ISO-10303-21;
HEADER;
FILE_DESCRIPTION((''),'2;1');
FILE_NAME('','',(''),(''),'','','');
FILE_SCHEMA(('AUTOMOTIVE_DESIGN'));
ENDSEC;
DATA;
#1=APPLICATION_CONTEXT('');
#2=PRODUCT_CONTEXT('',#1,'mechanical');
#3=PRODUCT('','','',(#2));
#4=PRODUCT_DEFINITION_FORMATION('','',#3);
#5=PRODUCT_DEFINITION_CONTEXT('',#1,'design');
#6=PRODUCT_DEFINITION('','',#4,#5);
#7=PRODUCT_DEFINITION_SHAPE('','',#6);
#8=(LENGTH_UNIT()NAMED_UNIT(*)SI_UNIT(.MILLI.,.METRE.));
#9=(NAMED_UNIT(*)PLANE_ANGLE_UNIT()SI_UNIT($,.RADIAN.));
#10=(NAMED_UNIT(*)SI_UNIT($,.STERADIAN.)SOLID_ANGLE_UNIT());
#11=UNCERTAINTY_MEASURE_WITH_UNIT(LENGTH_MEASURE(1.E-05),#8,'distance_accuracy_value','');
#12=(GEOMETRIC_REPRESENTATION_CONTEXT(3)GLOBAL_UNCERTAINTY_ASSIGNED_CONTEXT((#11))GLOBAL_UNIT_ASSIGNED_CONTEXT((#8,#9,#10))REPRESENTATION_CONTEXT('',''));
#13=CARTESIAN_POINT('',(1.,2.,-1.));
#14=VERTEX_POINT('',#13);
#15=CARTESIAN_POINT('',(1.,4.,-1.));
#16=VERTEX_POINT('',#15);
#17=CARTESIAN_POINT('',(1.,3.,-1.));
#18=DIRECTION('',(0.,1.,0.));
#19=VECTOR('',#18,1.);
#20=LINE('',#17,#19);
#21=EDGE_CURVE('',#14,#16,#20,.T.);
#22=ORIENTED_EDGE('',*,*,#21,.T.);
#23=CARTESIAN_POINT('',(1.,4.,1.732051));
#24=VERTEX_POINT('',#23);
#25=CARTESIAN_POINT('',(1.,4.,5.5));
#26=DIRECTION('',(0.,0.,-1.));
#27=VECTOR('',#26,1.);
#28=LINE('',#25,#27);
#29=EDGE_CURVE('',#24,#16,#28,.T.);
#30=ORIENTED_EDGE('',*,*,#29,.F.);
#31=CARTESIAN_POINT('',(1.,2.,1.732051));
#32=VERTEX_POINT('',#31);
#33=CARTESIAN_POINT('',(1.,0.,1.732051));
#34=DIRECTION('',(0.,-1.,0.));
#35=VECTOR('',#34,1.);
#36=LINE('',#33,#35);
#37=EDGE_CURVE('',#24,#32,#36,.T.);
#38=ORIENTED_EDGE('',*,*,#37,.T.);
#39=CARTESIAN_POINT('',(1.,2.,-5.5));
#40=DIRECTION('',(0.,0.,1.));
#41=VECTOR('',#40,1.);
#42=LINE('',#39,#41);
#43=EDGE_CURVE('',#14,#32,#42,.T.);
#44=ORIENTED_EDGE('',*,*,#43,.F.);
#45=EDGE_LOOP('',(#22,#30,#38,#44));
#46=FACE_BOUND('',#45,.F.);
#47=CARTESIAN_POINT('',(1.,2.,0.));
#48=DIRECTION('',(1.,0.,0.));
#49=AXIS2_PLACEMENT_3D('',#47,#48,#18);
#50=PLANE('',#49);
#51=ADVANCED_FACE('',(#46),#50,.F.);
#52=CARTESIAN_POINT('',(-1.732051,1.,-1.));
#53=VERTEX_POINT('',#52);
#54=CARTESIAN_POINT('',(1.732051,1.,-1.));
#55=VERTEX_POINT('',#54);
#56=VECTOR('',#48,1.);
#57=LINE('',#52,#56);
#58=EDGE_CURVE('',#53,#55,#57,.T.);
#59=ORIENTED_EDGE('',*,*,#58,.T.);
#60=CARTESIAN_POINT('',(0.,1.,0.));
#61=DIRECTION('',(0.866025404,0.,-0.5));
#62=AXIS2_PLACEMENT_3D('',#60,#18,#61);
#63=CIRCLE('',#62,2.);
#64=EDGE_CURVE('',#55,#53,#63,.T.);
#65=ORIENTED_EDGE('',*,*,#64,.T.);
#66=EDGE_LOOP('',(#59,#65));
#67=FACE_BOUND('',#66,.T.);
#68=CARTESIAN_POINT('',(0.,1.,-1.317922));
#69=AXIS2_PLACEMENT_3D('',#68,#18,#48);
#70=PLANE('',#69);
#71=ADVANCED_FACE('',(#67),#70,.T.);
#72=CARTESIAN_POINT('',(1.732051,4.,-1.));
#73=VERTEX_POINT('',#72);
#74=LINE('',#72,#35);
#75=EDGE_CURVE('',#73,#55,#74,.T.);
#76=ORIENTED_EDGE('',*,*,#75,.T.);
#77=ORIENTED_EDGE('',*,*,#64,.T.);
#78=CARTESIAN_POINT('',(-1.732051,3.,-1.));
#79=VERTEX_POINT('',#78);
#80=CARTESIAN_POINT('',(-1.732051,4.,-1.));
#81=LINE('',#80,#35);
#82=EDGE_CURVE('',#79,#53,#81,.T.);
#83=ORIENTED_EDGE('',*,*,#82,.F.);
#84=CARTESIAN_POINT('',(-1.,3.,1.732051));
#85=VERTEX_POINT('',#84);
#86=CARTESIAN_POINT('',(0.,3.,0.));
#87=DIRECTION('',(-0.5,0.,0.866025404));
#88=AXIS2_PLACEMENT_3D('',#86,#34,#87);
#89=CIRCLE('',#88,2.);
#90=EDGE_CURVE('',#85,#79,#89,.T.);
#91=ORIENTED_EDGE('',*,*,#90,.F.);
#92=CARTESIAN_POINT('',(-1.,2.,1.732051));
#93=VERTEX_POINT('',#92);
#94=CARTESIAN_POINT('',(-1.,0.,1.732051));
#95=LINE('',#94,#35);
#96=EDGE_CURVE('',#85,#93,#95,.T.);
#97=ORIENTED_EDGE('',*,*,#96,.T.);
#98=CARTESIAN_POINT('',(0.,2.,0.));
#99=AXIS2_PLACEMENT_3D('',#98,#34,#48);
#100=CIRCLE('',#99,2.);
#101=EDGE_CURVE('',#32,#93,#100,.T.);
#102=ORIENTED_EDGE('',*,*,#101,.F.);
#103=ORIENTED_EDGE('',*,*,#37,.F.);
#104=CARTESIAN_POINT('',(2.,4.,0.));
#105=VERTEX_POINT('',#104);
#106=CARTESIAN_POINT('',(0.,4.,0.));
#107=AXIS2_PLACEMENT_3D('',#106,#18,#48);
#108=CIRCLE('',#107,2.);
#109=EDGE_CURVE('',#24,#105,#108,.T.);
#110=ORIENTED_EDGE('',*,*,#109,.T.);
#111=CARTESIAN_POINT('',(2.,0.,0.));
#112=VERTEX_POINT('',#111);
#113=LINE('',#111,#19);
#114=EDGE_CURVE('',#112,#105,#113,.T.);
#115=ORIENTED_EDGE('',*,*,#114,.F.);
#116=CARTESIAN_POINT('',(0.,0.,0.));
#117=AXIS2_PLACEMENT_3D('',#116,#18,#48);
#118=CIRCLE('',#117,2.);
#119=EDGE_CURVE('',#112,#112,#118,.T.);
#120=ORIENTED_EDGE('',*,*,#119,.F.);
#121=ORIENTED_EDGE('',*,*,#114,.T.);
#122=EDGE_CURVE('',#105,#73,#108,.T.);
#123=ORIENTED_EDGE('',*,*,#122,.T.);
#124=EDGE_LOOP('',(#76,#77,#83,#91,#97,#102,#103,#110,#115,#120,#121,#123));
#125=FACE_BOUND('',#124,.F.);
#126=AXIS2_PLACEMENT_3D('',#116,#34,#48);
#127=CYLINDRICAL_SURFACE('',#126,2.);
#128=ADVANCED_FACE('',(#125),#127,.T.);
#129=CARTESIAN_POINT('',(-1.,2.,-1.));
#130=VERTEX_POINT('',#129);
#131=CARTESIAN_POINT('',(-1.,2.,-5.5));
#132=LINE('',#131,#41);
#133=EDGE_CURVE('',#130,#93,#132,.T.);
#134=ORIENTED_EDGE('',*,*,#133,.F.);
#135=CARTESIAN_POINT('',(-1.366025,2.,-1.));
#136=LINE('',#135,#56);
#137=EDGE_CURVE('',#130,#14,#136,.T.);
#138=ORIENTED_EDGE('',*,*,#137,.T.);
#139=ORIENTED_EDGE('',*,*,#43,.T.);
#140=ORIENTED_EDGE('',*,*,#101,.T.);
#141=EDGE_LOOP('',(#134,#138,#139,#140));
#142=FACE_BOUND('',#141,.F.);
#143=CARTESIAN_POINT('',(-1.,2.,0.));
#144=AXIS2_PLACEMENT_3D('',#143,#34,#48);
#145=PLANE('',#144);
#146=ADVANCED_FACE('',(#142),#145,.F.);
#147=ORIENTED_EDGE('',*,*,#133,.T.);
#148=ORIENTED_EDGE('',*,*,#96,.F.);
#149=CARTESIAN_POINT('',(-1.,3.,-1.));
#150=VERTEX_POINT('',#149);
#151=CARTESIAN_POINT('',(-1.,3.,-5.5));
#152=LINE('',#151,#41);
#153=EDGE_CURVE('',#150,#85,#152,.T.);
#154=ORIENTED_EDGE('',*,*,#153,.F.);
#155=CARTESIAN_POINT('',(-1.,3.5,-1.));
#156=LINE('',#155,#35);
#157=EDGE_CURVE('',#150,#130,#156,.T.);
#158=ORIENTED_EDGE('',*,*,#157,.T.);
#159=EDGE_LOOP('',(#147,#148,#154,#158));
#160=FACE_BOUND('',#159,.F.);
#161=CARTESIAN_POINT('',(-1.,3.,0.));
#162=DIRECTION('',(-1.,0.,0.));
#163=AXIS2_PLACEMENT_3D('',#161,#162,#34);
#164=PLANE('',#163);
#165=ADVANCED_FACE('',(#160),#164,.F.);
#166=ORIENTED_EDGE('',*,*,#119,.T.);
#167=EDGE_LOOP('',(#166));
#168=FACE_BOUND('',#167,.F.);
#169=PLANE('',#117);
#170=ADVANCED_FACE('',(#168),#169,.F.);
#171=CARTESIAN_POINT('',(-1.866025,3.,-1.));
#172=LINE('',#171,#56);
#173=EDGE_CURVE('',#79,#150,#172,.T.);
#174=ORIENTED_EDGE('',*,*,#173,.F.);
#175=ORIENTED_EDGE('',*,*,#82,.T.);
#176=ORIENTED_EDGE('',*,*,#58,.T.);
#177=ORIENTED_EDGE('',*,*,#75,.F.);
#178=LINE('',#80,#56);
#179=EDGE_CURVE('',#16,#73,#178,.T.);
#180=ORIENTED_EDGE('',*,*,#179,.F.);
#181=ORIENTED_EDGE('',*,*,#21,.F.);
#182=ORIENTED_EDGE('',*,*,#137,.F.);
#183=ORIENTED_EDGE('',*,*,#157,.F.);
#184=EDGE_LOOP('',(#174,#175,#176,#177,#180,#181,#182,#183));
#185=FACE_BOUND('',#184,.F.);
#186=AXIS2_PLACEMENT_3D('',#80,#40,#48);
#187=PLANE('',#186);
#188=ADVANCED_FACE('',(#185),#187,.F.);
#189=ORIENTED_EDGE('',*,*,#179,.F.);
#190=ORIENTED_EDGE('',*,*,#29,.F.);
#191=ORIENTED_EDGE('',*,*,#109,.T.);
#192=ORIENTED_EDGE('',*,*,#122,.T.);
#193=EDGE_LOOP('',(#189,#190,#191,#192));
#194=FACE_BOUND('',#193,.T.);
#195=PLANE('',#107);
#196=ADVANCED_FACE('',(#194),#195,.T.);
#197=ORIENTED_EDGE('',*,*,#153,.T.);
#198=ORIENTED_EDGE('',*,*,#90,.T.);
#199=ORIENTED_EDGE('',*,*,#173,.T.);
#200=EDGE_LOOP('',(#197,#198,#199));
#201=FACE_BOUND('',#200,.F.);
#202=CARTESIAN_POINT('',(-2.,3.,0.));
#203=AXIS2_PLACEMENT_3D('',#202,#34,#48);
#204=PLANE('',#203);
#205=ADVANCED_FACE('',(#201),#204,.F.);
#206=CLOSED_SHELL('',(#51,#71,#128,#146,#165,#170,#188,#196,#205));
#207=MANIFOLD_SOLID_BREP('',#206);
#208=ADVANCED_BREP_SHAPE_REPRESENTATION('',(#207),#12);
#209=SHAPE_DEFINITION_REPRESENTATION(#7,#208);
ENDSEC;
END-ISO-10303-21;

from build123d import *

# Parameters (mm, degrees)
SKETCH1_R           = 2
BOSS_EXTRUDE1_DEPTH = 4
CUT_EXTRUDE2_DEPTH  = 3
CUT_EXTRUDE3_DEPTH  = 5.5


with BuildPart() as part:
    # Sketch1 → Boss-Extrude1 (new body)
    with BuildSketch(Plane(origin=(0, 0, 0), x_dir=(1, 0, 0), z_dir=(0, 1, 0))):
        Circle(SKETCH1_R)
    extrude(amount=BOSS_EXTRUDE1_DEPTH)

    # Sketch3 → Cut-Extrude2 (cut)
    with BuildSketch(Plane(origin=(0, 4, 0), x_dir=(1, 0, 0), z_dir=(0, 1, 0))):
        with BuildLine():
            Line((-1.732050808, 1), (1.732050808, 1))
            ThreePointArc((1.732050808, 1), (0, 2), (-1.732050808, 1))
        make_face()
    extrude(amount=-CUT_EXTRUDE2_DEPTH, mode=Mode.SUBTRACT)

    # Sketch4 → Cut-Extrude3 (cut, symmetric)
    with BuildSketch(Plane.XY):
        Polygon((-2, 3), (-1, 3), (-1, 2), (1, 2), (1, 4), (-2, 4), align=None)
    extrude(amount=CUT_EXTRUDE3_DEPTH, both=True, mode=Mode.SUBTRACT)


solid = part.part
